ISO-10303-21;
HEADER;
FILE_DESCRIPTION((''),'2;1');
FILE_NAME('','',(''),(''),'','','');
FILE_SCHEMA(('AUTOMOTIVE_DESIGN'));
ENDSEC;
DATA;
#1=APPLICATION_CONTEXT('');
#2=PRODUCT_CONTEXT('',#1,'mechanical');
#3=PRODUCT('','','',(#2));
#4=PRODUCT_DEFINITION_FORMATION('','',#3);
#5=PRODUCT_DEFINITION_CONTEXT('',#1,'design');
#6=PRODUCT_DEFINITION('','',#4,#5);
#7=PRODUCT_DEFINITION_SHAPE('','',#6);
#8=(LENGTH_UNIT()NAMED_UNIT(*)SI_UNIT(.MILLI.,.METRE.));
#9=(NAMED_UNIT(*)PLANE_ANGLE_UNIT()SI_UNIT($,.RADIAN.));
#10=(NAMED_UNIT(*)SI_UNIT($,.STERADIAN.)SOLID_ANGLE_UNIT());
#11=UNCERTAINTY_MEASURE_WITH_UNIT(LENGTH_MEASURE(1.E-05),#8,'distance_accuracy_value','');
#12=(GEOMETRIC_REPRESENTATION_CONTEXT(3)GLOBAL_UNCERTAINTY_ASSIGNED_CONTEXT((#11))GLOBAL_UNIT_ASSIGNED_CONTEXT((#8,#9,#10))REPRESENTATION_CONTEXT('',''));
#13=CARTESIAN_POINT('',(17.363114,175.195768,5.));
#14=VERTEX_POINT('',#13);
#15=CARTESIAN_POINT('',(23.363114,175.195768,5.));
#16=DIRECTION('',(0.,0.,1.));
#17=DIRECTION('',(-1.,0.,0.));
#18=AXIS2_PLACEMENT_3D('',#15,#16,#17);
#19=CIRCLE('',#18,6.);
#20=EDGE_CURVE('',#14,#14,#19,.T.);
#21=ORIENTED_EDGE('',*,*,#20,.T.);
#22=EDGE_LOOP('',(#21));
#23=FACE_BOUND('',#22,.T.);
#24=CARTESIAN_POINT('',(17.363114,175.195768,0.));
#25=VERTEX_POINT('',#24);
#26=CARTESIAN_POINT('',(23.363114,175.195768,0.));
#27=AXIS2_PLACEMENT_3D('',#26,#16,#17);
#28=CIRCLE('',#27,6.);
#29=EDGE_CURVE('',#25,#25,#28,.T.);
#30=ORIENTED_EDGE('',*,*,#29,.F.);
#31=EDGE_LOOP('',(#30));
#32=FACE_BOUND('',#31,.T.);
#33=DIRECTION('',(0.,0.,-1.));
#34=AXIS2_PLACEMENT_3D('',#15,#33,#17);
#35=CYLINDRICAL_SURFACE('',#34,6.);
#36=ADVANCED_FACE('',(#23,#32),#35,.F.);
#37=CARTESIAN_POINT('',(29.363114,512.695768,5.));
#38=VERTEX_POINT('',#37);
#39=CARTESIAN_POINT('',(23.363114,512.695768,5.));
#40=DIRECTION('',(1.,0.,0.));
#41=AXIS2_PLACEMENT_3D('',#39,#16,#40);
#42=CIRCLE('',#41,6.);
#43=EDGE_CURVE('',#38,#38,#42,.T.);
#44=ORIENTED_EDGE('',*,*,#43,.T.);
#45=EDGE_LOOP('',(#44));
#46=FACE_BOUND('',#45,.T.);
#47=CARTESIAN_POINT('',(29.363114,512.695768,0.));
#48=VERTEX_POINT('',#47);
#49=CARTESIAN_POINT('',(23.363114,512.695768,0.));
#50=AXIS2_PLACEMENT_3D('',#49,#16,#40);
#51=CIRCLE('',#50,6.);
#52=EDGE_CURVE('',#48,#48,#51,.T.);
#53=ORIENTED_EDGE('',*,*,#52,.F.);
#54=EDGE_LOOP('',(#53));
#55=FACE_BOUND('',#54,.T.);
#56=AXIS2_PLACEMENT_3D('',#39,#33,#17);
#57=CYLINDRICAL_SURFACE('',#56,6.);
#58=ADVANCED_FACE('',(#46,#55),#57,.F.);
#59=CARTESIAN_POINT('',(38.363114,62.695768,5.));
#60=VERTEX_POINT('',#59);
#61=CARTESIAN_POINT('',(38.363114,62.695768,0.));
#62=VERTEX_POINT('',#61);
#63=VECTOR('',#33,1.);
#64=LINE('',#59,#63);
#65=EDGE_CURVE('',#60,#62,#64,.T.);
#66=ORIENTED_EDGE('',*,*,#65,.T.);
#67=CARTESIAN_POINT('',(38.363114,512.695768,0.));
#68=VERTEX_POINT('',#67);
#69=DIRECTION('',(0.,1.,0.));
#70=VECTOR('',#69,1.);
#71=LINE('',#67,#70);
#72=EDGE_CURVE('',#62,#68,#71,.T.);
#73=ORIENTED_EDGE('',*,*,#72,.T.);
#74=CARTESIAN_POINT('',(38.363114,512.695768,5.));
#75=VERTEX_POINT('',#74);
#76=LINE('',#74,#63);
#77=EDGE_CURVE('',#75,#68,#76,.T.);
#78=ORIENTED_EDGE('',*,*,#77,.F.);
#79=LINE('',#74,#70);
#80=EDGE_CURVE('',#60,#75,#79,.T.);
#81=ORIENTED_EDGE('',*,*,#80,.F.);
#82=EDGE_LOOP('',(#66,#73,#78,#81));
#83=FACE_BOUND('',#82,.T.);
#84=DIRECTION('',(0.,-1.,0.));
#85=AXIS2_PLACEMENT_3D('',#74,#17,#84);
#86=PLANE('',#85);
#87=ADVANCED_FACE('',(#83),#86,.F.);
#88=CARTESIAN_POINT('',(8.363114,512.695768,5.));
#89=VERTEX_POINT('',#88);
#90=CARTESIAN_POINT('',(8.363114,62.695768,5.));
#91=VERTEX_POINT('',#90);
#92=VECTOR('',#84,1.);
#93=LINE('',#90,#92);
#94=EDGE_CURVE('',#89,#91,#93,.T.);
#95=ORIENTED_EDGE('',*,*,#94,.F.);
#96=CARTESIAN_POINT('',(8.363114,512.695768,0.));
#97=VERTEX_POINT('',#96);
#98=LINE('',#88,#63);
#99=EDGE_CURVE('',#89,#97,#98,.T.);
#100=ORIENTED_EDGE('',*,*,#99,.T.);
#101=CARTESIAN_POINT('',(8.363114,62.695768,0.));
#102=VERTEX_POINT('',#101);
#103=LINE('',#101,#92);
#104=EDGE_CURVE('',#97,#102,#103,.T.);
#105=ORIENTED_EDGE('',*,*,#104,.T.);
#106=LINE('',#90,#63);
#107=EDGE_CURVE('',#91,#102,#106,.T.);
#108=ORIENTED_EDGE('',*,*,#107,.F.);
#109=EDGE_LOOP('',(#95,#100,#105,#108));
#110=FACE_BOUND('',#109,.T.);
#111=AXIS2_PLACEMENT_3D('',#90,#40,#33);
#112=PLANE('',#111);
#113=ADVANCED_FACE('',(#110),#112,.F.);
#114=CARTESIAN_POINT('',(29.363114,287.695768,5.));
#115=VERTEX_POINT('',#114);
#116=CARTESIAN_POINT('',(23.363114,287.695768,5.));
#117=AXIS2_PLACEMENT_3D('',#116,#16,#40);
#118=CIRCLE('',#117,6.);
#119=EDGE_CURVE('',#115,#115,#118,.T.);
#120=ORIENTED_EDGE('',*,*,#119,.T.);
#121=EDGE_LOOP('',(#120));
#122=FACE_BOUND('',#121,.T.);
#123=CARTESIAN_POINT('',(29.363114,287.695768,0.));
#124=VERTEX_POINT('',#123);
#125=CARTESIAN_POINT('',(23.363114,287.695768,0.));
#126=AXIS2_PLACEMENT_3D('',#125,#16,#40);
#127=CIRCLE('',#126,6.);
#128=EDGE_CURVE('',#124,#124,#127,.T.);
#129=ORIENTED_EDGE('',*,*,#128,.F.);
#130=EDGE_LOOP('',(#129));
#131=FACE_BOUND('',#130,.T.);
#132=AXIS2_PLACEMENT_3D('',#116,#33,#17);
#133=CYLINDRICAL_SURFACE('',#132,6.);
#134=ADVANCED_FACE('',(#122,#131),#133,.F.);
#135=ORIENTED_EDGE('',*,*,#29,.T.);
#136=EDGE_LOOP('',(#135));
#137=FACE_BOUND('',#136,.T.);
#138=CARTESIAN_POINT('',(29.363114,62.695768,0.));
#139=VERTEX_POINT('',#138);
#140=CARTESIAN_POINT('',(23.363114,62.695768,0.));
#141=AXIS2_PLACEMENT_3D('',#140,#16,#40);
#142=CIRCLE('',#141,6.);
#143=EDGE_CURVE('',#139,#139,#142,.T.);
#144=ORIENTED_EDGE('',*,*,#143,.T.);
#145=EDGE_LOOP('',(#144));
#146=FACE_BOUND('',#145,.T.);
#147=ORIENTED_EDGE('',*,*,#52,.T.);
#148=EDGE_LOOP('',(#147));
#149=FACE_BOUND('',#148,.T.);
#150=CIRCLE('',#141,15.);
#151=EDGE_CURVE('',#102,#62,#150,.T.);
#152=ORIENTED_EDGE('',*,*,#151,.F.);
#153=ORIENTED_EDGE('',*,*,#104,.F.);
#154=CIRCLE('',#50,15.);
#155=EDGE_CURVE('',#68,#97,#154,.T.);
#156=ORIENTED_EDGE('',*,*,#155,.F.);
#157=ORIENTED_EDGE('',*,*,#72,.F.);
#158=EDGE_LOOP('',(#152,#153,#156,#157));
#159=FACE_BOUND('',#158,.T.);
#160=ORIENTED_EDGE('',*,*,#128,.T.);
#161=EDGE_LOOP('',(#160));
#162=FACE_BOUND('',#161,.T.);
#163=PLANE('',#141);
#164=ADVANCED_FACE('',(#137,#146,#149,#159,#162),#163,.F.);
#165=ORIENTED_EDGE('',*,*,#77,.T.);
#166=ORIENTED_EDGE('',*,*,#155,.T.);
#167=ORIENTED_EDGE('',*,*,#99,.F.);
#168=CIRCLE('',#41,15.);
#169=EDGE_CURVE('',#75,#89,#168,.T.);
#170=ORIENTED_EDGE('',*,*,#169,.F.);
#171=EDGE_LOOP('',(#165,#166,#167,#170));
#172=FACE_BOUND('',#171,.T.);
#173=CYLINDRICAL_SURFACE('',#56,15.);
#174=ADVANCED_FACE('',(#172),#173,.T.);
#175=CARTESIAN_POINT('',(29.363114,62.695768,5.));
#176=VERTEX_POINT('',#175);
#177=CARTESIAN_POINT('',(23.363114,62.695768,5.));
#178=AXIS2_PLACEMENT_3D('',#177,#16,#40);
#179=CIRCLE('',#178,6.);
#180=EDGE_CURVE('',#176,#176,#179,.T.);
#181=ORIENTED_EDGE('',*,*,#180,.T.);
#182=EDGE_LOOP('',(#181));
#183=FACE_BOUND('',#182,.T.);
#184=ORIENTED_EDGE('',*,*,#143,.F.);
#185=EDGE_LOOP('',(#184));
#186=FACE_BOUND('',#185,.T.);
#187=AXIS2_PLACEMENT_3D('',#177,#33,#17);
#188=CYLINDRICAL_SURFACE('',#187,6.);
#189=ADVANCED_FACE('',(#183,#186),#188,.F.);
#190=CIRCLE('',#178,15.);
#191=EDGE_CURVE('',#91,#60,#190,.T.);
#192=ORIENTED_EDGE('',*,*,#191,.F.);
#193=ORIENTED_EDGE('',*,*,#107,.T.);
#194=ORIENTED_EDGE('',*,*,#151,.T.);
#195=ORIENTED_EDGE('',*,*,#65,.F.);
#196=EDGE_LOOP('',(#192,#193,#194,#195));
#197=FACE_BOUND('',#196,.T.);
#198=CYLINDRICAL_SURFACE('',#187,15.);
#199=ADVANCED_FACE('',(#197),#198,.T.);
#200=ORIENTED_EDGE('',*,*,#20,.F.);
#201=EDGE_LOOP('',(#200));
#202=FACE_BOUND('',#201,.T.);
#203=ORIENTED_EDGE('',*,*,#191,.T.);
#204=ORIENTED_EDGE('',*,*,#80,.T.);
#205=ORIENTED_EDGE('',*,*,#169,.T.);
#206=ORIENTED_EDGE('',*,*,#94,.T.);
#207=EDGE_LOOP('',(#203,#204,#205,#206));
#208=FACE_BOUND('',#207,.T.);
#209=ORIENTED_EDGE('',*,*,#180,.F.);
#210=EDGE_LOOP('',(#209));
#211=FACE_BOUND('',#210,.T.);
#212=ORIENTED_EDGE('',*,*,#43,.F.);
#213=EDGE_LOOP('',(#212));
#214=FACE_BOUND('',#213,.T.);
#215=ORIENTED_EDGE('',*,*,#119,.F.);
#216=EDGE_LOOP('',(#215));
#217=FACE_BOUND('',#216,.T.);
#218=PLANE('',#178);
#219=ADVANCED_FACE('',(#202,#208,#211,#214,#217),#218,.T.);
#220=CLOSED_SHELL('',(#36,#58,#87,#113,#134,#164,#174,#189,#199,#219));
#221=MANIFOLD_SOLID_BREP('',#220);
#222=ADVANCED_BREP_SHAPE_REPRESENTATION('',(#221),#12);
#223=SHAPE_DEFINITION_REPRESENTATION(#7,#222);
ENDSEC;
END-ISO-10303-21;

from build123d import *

# Parameters (mm, degrees)
SKETCH_1_R      = 6
EXTRUDE_1_DEPTH = 5


with BuildPart() as part:
    # 草图1 → 凸台-拉伸1 (new body)
    with BuildSketch(Plane.XY):
        with BuildLine():
            Line((8.363113875, 62.695768031), (8.363113875, 512.695768031))
            ThreePointArc((8.363113875, 512.695768031), (23.363113875, 527.695768031), (38.363113875, 512.695768031))
            Line((38.363113875, 512.695768031), (38.363113875, 62.695768031))
            ThreePointArc((38.363113875, 62.695768031), (23.363113875, 47.695768031), (8.363113875, 62.695768031))
        make_face()
        with Locations((23.363113875, 512.695768031)):
            Circle(SKETCH_1_R, mode=Mode.SUBTRACT)
        with Locations((23.363113875, 62.695768031)):
            Circle(SKETCH_1_R, mode=Mode.SUBTRACT)
        with Locations((23.363113875, 287.695768031)):
            Circle(SKETCH_1_R, mode=Mode.SUBTRACT)
        with Locations((23.363113875, 175.195768031)):
            Circle(SKETCH_1_R, mode=Mode.SUBTRACT)
    extrude(amount=EXTRUDE_1_DEPTH)


solid = part.part
